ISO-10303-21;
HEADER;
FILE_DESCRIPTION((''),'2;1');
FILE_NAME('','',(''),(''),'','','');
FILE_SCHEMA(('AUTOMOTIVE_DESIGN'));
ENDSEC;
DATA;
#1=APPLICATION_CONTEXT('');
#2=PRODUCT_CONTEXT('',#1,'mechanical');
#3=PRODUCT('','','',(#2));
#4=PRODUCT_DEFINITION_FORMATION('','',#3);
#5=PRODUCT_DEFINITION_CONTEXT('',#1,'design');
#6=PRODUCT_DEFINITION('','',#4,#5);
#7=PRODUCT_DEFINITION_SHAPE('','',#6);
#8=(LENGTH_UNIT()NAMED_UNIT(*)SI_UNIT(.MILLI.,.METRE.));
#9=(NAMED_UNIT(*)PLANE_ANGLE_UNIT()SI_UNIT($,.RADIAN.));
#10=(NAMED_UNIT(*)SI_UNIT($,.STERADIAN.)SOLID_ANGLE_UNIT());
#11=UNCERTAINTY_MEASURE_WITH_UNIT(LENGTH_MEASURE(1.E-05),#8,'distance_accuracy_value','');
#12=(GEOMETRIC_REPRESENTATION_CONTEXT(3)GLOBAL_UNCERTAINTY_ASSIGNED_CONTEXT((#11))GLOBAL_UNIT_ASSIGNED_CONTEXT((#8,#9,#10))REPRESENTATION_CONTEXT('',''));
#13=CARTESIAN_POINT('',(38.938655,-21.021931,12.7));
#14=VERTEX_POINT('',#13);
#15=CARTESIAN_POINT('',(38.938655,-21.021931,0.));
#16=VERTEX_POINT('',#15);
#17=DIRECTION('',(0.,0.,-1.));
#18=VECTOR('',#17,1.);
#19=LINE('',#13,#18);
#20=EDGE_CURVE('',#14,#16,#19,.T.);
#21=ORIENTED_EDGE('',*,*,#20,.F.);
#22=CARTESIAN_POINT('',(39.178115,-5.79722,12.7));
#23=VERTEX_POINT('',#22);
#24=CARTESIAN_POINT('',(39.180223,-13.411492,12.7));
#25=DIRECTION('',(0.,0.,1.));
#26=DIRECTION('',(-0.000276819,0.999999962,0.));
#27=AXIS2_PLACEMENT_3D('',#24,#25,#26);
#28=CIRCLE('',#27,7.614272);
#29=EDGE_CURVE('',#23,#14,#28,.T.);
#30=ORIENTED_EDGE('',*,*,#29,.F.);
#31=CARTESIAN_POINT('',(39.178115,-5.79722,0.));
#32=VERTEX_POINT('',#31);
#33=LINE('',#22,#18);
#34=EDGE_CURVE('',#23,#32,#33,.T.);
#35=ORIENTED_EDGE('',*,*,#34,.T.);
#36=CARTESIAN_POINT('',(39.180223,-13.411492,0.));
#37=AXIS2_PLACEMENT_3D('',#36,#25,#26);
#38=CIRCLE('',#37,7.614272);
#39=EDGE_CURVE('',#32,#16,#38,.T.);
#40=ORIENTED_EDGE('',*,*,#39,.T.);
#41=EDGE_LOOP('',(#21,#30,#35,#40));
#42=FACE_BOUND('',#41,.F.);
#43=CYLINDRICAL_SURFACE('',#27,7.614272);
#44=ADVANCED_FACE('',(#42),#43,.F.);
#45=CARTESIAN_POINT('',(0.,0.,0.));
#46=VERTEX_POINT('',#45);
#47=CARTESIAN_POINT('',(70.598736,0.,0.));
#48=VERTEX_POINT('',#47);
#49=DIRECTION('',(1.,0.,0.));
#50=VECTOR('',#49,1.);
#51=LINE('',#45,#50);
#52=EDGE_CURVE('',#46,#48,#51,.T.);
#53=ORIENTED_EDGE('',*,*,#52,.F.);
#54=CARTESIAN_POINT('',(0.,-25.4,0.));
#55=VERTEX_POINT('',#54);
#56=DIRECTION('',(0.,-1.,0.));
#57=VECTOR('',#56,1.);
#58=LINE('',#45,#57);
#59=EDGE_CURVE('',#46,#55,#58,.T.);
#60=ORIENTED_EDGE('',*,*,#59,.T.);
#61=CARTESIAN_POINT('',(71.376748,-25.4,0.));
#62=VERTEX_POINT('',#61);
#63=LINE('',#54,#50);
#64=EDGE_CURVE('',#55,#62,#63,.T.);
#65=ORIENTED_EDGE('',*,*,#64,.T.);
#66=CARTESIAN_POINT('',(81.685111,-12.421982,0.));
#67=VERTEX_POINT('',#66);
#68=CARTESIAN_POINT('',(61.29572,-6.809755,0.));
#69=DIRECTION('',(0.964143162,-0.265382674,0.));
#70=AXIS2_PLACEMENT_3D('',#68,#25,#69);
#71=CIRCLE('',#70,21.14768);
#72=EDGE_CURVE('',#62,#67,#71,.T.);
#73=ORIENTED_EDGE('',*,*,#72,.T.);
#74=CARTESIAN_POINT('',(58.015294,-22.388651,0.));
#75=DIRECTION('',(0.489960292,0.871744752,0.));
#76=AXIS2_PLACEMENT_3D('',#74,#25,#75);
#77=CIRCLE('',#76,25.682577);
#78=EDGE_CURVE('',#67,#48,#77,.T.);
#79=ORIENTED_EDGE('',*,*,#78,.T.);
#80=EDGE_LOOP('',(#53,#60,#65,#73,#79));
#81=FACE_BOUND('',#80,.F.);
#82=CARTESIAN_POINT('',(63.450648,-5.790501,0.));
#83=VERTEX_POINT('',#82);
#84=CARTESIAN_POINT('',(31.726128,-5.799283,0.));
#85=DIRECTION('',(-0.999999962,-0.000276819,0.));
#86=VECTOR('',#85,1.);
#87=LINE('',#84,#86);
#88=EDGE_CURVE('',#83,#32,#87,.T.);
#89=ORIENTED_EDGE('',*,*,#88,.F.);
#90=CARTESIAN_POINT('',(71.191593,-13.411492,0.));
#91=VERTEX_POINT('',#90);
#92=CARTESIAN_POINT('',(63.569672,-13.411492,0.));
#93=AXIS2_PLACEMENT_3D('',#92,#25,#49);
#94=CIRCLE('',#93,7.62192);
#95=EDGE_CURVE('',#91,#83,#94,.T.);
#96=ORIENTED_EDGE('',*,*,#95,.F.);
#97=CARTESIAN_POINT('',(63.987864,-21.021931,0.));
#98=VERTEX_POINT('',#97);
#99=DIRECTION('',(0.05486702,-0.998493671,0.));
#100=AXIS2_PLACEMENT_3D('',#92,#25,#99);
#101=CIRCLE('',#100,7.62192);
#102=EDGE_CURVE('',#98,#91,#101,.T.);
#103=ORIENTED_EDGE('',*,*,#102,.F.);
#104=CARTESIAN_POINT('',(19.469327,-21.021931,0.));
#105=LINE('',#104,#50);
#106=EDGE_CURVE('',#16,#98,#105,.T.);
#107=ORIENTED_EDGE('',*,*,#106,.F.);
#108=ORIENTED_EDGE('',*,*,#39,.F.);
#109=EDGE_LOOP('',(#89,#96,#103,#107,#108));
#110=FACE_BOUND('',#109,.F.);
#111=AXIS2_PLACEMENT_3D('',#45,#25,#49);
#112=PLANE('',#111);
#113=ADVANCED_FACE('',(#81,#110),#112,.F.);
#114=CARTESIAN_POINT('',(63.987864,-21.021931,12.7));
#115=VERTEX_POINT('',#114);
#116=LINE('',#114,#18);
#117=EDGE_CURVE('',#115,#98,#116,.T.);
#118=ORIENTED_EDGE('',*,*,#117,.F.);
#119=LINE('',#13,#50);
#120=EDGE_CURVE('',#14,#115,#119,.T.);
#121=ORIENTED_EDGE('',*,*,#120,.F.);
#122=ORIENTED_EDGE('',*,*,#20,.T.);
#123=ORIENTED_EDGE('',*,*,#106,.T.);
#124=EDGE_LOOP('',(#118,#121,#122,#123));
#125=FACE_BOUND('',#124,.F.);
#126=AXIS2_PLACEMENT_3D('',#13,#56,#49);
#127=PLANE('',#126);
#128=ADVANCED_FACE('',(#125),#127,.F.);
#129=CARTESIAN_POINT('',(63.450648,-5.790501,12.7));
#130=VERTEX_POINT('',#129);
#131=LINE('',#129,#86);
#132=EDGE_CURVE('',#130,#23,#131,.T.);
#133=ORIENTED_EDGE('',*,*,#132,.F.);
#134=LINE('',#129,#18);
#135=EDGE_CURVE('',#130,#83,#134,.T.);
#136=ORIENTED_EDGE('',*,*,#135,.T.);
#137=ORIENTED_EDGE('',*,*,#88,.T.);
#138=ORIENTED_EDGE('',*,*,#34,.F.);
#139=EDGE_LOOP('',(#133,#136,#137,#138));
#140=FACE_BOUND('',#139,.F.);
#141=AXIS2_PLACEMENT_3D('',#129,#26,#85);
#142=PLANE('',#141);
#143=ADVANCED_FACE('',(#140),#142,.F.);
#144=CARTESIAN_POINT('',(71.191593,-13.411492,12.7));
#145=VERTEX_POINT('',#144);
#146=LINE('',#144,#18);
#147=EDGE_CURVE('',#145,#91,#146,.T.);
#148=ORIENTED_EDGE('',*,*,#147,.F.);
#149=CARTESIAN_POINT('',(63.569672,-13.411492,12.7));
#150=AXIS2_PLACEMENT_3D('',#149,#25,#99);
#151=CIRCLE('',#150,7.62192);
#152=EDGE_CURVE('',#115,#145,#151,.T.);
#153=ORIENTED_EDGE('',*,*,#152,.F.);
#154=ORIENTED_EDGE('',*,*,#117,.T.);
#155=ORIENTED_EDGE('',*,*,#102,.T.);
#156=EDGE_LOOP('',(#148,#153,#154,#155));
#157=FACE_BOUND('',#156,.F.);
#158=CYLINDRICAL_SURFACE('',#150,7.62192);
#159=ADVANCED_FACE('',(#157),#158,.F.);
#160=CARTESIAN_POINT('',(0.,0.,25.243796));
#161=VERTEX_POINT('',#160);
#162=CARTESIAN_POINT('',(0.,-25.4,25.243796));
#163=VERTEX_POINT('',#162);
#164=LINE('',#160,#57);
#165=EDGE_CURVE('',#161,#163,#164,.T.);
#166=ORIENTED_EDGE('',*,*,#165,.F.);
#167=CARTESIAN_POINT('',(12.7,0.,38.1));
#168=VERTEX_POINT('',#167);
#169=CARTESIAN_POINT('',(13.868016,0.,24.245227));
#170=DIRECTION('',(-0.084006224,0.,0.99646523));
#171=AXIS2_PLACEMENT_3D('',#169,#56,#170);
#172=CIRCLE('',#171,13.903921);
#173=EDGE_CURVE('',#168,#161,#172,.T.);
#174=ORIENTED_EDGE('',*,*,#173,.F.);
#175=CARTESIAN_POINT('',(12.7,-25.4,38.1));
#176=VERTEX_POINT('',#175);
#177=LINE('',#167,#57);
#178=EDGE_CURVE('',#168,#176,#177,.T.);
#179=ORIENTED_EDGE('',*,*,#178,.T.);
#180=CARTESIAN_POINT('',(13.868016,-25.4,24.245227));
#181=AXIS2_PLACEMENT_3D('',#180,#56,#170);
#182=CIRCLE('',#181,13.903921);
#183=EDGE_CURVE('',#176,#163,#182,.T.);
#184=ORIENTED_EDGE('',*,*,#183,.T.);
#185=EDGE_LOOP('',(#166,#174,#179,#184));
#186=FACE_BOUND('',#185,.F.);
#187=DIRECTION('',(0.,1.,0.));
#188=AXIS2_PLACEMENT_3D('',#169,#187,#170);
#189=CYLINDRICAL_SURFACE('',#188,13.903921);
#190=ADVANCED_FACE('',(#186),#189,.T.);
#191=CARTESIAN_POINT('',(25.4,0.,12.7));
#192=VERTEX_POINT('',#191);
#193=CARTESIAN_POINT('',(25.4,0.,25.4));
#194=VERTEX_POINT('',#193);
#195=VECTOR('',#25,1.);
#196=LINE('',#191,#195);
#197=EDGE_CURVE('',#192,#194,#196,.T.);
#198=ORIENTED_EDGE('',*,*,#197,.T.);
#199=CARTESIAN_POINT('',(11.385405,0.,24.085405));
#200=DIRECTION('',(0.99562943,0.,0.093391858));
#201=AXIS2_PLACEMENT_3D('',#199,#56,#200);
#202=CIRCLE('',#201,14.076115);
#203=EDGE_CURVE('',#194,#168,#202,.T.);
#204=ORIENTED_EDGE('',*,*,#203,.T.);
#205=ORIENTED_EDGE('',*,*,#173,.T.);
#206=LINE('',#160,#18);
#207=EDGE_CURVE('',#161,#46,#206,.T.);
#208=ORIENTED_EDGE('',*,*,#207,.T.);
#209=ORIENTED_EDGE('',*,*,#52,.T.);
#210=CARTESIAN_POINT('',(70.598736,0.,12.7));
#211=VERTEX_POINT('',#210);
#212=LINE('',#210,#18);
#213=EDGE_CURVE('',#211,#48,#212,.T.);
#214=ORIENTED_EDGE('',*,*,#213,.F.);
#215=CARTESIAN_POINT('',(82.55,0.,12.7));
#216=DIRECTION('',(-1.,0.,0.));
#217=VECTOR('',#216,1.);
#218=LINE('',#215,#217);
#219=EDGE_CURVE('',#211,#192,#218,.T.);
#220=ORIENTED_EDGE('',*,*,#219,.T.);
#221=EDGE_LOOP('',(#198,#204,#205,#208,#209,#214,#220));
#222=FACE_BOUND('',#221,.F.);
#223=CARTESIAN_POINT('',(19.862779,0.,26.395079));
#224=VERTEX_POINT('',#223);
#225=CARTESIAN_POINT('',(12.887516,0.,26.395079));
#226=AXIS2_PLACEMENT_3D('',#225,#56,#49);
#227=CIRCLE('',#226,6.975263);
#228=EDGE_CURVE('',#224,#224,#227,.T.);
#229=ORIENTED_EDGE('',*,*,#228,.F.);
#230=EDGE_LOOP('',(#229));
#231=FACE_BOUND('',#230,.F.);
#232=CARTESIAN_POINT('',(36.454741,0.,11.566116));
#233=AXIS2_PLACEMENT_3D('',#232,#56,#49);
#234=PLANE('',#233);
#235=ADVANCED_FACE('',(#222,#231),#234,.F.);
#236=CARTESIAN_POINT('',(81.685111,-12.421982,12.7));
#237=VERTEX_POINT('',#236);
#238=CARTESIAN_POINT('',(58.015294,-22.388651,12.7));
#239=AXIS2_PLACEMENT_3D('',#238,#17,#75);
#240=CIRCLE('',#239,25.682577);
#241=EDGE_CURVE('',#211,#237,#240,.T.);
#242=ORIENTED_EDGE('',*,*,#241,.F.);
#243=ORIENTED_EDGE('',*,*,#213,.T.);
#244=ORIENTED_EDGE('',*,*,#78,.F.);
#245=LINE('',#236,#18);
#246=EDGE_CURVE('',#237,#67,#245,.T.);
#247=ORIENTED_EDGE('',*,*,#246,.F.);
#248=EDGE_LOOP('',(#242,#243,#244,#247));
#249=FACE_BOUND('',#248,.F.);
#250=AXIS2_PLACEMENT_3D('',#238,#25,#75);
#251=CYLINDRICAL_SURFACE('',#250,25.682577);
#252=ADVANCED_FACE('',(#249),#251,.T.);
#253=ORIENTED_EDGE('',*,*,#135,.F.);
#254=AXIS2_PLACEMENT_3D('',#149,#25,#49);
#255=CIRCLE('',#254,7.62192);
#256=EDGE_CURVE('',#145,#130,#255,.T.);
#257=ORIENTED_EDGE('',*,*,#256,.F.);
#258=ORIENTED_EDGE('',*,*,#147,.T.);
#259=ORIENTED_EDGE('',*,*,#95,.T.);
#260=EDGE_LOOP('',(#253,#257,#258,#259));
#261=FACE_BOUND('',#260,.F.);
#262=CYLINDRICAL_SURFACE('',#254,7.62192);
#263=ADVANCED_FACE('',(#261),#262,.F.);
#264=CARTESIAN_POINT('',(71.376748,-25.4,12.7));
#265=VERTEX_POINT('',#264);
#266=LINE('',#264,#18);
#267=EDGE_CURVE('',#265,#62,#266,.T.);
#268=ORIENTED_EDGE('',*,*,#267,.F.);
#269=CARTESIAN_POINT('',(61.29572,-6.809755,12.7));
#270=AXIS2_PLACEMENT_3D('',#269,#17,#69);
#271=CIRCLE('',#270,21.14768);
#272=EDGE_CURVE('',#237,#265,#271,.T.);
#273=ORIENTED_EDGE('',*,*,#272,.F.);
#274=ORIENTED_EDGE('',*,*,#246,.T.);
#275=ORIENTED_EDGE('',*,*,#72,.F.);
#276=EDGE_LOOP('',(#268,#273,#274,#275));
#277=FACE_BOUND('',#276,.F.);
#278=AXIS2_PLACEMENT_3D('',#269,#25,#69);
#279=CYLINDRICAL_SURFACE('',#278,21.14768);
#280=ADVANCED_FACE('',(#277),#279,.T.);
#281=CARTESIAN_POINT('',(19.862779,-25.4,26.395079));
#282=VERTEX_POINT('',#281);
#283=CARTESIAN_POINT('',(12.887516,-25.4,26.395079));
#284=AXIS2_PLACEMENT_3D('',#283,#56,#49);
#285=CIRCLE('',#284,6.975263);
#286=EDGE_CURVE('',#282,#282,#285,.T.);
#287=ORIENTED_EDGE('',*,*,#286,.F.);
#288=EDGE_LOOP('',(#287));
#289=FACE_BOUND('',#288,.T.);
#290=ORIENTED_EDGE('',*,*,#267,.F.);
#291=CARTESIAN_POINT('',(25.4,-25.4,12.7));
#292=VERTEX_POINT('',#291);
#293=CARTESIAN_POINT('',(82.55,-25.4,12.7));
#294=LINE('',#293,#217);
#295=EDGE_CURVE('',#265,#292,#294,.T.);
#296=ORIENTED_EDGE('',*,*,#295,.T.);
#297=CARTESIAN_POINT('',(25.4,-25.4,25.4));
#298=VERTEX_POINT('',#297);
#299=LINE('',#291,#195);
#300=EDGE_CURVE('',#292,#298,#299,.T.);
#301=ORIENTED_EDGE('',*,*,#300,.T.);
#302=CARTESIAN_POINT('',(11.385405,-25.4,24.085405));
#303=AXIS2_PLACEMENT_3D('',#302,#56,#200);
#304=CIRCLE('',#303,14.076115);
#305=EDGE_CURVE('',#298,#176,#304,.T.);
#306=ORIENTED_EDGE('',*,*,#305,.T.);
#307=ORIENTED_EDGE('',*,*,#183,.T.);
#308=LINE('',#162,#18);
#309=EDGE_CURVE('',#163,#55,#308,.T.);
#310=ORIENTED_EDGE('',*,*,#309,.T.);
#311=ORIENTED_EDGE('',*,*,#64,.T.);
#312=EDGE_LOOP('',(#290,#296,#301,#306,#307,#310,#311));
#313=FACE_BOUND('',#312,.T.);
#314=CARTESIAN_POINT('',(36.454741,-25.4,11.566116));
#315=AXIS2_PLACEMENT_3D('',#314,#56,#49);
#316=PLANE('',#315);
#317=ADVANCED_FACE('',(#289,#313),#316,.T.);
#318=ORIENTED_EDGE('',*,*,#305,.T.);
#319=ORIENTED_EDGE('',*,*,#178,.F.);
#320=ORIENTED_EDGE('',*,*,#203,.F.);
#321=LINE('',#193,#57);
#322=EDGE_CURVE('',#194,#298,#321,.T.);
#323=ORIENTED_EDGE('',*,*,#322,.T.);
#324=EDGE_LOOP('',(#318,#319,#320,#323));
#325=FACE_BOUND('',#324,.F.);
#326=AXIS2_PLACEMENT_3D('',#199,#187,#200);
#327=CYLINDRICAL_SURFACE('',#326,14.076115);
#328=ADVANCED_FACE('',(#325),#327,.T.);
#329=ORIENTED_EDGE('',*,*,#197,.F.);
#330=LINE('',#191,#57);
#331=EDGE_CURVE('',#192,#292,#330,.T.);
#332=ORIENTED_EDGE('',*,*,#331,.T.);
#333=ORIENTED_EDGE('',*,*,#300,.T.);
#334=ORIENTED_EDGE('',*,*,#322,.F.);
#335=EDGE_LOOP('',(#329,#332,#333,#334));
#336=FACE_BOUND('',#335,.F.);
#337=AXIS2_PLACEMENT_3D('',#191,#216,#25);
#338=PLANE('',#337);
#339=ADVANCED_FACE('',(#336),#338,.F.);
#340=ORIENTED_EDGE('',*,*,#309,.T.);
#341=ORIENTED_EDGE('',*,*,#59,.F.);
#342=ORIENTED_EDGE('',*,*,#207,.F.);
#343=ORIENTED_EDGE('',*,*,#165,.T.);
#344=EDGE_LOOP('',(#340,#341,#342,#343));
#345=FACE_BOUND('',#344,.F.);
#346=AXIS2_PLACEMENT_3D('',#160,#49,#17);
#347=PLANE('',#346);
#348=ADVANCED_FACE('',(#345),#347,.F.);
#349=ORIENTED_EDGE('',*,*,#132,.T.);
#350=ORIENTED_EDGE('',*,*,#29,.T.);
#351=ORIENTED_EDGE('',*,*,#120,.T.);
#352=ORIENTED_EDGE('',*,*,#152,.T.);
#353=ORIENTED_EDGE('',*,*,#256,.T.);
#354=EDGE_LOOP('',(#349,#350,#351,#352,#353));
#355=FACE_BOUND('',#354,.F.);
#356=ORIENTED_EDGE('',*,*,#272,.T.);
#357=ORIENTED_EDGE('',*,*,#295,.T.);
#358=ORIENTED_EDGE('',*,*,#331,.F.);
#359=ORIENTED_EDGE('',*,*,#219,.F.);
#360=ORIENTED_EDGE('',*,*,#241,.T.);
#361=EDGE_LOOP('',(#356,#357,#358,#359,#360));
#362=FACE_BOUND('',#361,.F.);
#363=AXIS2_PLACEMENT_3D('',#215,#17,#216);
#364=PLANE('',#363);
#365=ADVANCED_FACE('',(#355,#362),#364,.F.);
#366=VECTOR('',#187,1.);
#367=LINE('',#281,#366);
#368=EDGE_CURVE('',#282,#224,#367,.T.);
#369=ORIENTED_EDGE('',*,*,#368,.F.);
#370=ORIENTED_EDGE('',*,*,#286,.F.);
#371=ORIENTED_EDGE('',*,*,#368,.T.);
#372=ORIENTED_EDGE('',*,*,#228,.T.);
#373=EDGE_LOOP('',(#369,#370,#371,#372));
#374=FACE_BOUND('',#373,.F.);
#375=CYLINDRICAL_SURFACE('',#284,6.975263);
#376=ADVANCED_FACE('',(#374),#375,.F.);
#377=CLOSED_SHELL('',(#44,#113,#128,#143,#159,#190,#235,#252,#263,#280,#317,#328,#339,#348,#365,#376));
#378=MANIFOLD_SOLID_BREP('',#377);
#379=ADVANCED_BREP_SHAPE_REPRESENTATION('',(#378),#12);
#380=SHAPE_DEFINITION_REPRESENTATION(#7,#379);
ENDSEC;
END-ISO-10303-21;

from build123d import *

# Parameters (mm, degrees)
F1_DEPTH = 25.4
F3_DEPTH = 25.4
F4_R     = 6.9752629403
F5_DEPTH = 25.4
F7_DEPTH = 25.4
F9_DEPTH = 25.4


with BuildPart() as f1:
    # F0 (on Front) → F1 (new body)
    with BuildSketch(Plane.XZ):
        with BuildLine():
            Line((0, 25.2437964082), (0, 0))
            Line((0, 0), (82.55, 0))
            Line((82.55, 0), (82.55, 12.7))
            Line((82.55, 12.7), (25.4, 12.7))
            Line((25.4, 12.7), (25.4, 25.4))
            ThreePointArc((25.4, 25.4), (21.338721964, 34.038721964), (12.7, 38.1))
            ThreePointArc((12.7, 38.1), (3.9765521081, 34.0165085715), (0, 25.2437964082))
        make_face()
    extrude(amount=F1_DEPTH)

    # F2 (on face) → F3 (cut)
    with BuildSketch(Plane.XY.offset(12.7)):
        with BuildLine():
            ThreePointArc((70.5987364054, 0), (78.1138192484, -4.9013082489), (82.55, -12.7))
            Line((82.55, -12.7), (82.55, 0))
            Line((82.55, 0), (70.5987364054, 0))
        make_face()
        with BuildLine():
            Line((82.55, -25.4), (82.55, -12.7))
            ThreePointArc((82.55, -12.7), (78.6112135374, -20.4997420186), (71.376748383, -25.4))
            Line((71.376748383, -25.4), (82.55, -25.4))
        make_face()
    extrude(amount=-F3_DEPTH, mode=Mode.SUBTRACT)

    # F4 (on face) → F5 (cut)
    with BuildSketch(Plane.XZ.offset(25.4)):
        with Locations((12.887516059, 26.3950787485)):
            Circle(F4_R)
    extrude(amount=-F5_DEPTH, mode=Mode.SUBTRACT)

    # F6 (on face) → F7 (cut)
    with BuildSketch(Plane.XY.offset(12.7)):
        with BuildLine():
            ThreePointArc((46.7944949583, -13.4114921093), (44.5635810438, -8.0266435433), (39.1781151252, -5.7972203415))
            ThreePointArc((39.1781151252, -5.7972203415), (31.5668924837, -13.2917465926), (38.938654761, -21.0219312446))
            Line((38.938654761, -21.0219312446), (39.4217910365, -21.0219312446))
            ThreePointArc((39.4217910365, -21.0219312446), (44.6490666759, -18.7094999177), (46.7944949583, -13.4114921093))
        make_face()
        with BuildLine():
            ThreePointArc((63.1514803528, -21.0219312446), (55.9492219457, -13.2618150882), (63.4506483721, -5.7905012482))
            Line((63.4506483721, -5.7905012482), (39.1781151252, -5.7972203415))
            ThreePointArc((39.1781151252, -5.7972203415), (44.5635810438, -8.0266435433), (46.7944949583, -13.4114921093))
            ThreePointArc((46.7944949583, -13.4114921093), (44.6490666759, -18.7094999177), (39.4217910365, -21.0219312446))
            Line((39.4217910365, -21.0219312446), (63.1514803528, -21.0219312446))
        make_face()
        with BuildLine():
            ThreePointArc((63.9878644586, -21.0219312446), (69.1050628574, -18.6510647038), (71.1915926641, -13.4114921093))
            ThreePointArc((71.1915926641, -13.4114921093), (68.9169369742, -7.9800622737), (63.4506483721, -5.7905012482))
            ThreePointArc((63.4506483721, -5.7905012482), (55.9492219457, -13.2618150882), (63.1514803528, -21.0219312446))
            Line((63.1514803528, -21.0219312446), (63.9878644586, -21.0219312446))
        make_face()
    extrude(amount=-F7_DEPTH, mode=Mode.SUBTRACT)

    # F8 (on face) → F9 (cut)
    with BuildSketch(Plane.XY.offset(12.7)):
        with BuildLine():
            ThreePointArc((70.5987364054, 0), (77.1764816954, -5.287668523), (81.6851109266, -12.4219823629))
            ThreePointArc((81.6851109266, -12.4219823629), (77.8552746278, -19.9629105497), (71.376748383, -25.4))
            ThreePointArc((71.376748383, -25.4), (78.6112135374, -20.4997420186), (82.55, -12.7))
            ThreePointArc((82.55, -12.7), (78.1138192484, -4.9013082489), (70.5987364054, 0))
        make_face()
    extrude(amount=-F9_DEPTH, mode=Mode.SUBTRACT)


solid = f1.part
